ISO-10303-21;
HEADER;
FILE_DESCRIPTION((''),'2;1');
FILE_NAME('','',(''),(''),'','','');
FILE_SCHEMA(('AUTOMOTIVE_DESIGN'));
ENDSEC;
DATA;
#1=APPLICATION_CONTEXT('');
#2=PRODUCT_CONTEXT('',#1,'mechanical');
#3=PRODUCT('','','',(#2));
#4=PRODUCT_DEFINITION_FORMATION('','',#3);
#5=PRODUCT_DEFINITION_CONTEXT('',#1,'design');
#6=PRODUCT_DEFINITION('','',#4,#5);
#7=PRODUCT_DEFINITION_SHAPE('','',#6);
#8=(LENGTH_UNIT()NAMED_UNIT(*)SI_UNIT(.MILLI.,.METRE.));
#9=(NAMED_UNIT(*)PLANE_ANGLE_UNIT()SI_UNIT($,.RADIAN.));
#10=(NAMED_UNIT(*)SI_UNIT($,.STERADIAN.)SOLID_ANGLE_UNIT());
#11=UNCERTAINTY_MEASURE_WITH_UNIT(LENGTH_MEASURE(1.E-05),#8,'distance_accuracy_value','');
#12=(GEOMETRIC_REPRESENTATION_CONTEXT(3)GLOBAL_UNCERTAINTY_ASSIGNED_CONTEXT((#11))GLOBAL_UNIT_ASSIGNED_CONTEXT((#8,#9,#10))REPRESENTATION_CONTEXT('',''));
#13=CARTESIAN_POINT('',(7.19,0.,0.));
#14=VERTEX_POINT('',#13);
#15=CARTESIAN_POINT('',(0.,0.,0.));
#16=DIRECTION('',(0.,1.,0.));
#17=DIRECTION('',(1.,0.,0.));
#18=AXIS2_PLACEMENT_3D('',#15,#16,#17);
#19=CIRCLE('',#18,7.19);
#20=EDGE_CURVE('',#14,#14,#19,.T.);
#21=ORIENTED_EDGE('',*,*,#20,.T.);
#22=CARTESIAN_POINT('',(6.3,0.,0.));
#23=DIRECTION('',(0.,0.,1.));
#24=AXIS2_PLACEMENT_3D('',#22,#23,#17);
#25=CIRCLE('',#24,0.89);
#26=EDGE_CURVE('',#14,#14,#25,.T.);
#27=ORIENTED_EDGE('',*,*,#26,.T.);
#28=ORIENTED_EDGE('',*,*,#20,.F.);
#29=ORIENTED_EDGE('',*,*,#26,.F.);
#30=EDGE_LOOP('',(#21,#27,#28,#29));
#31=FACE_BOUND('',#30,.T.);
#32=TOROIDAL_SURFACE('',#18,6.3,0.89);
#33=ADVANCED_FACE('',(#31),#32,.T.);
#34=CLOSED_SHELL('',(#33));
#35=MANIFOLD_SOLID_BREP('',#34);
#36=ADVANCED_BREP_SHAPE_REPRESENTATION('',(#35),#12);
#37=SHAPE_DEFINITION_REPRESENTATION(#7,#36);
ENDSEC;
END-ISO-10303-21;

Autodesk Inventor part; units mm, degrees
ref_plane "YZ Plane" through (0, 0, 0) normal (1, 0, 0) x (0, 1, 0)
ref_plane "XZ Plane" through (0, 0, 0) normal (0, 1, 0) x (-1, 0, 0)
ref_plane "XY Plane" through (0, 0, 0) normal (0, 0, 1) x (1, 0, 0)
sketch "Boceto1" plane through (0, 0, 0) normal (0, 0, 1) x (1, 0, 0)
  circle A0 centre (6.3, 0) radius 0.89
  line L0 (0, 0) -> (0, 0)
  line L1 (0, 0) -> (6.3, 0) construction
  line L2 (0, -1.246) -> (0, 1.246) projected
  point P0 (5.41, 0)
  point P1 (7.19, 0)
  dimension "d0" = 1.78
  dimension "d3" = 10.82
  dimension "d4" = 14.38
revolve "Revolución1" add sketch "Boceto1" angle 360 about axis through (0, -10, 0) along (0, 1, 0)
properties part number "O'Ring 2-013" material "Caucho, negro"
